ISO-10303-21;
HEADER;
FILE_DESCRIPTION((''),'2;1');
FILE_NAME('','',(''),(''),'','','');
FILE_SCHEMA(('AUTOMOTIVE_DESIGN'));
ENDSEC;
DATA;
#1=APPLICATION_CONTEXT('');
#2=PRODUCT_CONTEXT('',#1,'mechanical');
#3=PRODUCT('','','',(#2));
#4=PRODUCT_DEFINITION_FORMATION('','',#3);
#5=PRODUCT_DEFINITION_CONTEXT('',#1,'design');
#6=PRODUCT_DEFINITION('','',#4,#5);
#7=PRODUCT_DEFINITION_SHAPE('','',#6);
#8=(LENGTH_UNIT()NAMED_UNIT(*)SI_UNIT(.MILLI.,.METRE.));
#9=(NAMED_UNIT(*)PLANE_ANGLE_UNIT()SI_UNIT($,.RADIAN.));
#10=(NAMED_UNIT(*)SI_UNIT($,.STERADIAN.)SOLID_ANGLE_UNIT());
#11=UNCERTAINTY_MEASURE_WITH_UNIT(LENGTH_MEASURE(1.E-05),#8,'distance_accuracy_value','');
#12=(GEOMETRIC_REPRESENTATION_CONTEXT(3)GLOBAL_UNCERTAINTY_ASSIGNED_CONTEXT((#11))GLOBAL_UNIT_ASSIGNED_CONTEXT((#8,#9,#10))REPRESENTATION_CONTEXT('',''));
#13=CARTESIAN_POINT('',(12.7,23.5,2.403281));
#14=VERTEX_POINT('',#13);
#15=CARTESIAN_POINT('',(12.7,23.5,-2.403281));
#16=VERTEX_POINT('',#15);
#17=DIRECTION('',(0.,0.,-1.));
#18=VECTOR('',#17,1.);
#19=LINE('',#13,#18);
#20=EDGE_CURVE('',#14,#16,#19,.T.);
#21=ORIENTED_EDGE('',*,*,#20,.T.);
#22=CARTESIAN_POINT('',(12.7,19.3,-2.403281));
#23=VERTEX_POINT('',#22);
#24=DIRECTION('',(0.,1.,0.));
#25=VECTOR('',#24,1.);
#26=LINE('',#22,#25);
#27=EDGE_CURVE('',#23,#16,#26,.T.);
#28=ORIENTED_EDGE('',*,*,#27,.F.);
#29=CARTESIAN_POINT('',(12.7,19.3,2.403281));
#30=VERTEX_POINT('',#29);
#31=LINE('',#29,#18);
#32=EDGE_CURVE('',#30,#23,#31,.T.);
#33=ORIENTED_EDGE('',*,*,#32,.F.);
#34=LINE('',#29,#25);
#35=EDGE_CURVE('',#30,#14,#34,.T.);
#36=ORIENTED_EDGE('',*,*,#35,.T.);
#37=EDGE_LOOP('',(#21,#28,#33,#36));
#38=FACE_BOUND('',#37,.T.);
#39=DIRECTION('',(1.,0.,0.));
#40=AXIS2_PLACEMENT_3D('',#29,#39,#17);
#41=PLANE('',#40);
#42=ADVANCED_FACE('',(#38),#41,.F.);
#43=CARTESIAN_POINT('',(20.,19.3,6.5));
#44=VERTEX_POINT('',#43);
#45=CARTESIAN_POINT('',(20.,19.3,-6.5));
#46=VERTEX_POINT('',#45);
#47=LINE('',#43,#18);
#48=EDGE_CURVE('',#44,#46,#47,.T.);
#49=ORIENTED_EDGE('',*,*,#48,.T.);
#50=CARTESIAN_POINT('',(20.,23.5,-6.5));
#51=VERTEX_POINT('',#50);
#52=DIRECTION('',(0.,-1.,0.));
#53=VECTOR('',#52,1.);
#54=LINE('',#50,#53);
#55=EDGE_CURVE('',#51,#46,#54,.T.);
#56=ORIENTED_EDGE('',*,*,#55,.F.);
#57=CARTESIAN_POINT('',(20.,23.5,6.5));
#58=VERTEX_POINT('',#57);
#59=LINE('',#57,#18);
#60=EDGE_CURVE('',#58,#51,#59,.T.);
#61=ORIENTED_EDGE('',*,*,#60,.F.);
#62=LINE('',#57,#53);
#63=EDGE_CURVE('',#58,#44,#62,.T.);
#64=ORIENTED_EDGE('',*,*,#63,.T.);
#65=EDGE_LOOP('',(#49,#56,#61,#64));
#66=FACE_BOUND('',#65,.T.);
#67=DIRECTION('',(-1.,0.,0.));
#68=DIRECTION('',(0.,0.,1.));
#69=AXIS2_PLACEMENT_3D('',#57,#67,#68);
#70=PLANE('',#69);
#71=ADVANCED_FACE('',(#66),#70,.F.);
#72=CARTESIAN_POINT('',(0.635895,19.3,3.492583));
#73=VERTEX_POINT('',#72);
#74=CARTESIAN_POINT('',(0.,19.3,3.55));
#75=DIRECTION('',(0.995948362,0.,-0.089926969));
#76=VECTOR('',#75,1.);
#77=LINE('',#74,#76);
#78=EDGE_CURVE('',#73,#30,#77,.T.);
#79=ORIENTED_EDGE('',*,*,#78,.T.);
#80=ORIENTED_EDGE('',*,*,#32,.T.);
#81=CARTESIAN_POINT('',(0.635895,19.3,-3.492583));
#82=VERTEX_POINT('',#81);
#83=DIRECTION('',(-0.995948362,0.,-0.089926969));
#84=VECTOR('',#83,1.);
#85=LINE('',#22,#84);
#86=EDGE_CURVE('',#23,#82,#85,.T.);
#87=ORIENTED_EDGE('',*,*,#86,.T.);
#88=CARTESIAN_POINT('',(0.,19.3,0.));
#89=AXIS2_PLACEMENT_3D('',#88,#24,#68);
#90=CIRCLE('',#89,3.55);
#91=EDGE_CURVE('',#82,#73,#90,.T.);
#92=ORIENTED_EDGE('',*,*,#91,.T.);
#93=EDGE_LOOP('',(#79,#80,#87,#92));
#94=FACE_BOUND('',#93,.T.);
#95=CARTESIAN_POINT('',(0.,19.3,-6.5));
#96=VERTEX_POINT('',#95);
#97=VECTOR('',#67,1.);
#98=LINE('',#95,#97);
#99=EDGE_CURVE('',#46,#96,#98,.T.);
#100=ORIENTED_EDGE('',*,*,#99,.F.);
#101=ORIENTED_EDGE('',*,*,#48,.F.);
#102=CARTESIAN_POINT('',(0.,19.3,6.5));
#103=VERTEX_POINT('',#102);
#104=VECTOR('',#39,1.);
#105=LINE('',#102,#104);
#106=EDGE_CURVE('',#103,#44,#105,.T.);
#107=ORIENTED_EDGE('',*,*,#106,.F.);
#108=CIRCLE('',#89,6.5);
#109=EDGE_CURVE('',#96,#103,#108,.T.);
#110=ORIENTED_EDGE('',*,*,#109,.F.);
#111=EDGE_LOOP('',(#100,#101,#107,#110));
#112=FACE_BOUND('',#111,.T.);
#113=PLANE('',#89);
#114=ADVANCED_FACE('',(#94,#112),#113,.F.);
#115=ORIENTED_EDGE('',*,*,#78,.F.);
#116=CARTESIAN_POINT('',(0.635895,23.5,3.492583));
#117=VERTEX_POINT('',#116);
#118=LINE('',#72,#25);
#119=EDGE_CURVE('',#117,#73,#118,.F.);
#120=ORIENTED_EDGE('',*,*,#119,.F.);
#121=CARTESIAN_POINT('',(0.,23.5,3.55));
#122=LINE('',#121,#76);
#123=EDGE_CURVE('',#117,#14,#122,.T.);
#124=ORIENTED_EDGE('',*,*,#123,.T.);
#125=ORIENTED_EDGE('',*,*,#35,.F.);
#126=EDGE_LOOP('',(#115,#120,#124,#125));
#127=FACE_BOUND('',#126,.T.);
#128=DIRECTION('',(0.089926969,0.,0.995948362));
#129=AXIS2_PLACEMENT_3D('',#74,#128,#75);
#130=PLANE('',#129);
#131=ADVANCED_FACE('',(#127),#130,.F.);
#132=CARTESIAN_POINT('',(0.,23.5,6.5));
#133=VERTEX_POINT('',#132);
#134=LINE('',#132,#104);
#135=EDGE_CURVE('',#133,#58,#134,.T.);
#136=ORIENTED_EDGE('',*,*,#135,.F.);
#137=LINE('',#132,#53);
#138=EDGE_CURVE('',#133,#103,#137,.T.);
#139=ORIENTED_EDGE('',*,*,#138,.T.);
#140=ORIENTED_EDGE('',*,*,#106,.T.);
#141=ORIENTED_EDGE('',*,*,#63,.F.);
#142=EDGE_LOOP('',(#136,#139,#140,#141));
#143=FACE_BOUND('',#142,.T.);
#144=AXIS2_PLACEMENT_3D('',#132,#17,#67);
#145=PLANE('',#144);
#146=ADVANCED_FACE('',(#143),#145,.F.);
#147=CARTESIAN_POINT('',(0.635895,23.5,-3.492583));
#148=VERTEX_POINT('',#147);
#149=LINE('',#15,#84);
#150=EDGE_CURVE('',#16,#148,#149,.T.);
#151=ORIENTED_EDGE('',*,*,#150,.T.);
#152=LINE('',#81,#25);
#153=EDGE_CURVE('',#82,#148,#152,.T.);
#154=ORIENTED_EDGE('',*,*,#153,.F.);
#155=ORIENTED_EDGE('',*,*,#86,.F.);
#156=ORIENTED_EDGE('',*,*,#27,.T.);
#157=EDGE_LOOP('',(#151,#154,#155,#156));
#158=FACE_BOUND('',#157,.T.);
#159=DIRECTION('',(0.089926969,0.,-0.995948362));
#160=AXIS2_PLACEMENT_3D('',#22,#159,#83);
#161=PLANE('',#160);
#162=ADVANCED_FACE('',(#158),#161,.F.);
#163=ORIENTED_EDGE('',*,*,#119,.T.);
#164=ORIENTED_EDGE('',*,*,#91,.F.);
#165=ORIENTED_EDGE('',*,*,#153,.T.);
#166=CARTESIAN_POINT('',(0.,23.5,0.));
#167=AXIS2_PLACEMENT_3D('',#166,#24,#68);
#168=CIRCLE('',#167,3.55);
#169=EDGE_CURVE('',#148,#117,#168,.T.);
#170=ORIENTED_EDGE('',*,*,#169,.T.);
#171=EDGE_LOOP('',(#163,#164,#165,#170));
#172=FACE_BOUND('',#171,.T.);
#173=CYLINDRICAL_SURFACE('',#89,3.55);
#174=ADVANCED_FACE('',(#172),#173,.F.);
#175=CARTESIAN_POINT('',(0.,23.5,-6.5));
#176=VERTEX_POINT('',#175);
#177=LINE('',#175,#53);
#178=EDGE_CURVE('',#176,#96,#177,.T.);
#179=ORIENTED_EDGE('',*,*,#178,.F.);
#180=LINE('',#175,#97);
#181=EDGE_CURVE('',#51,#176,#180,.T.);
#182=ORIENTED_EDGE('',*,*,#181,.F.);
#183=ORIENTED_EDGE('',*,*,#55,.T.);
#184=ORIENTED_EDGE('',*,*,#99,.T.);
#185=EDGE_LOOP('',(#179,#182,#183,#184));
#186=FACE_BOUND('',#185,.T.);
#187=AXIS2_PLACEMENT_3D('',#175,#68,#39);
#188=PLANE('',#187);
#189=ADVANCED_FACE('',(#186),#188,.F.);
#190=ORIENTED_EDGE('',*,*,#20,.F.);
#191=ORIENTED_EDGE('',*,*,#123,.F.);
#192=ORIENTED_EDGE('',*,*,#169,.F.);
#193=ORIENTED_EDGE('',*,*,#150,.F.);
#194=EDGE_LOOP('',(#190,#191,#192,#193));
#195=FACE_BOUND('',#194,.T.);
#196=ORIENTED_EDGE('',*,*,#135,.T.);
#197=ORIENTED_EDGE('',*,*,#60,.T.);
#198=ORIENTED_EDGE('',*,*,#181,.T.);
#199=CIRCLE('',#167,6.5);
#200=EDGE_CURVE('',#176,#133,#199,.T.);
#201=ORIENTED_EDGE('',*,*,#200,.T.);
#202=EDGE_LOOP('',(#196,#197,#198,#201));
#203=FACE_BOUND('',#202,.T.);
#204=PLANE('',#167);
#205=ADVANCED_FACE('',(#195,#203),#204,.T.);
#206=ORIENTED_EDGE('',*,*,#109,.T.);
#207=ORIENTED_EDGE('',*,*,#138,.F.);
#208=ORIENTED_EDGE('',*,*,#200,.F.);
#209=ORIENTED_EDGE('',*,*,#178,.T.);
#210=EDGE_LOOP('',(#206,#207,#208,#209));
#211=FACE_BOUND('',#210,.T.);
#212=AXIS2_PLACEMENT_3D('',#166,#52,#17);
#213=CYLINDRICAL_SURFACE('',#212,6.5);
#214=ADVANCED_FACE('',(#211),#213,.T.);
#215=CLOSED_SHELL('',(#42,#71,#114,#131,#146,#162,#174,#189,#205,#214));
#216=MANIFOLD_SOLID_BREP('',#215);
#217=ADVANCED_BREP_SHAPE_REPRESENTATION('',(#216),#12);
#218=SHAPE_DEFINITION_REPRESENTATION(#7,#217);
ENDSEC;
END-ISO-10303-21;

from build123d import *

# Parameters (mm, degrees)
BOSS_EXTRUDE1_START = 21.4
SKETCH1_R           = 6.5
BOSS_EXTRUDE1_DEPTH = 2.1
BOSS_EXTRUDE2_START = 21.4
SKETCH2_W           = 20
SKETCH2_H           = 13
BOSS_EXTRUDE2_DEPTH = 2.1
CUT_EXTRUDE1_START  = 21.4
SKETCH3_R           = 3.55
CUT_EXTRUDE1_DEPTH  = 2.1
CUT_EXTRUDE2_START  = 21.4
CUT_EXTRUDE2_DEPTH  = 2.1


with BuildPart() as part:
    # Sketch1 → Boss-Extrude1 (new, symmetric)
    with BuildSketch(Plane(origin=(0, 0, 0), x_dir=(1, 0, 0), z_dir=(0, 1, 0)).offset(BOSS_EXTRUDE1_START)):
        with Locations(Location((0, 0, 0), (0, 0, 270))):
            Circle(SKETCH1_R)
    extrude(amount=BOSS_EXTRUDE1_DEPTH, both=True)

    # Sketch2 → Boss-Extrude2 (add, symmetric)
    with BuildSketch(Plane(origin=(0, 0, 0), x_dir=(1, 0, 0), z_dir=(0, 1, 0)).offset(BOSS_EXTRUDE2_START)):
        with Locations((10, 0)):
            Rectangle(SKETCH2_W, SKETCH2_H)
    extrude(amount=BOSS_EXTRUDE2_DEPTH, both=True)

    # Sketch3 → Cut-Extrude1 (cut, symmetric)
    with BuildSketch(Plane(origin=(0, 0, 0), x_dir=(1, 0, 0), z_dir=(0, 1, 0)).offset(CUT_EXTRUDE1_START)):
        with Locations(Location((0, 0, 0), (0, 0, 270))):
            Circle(SKETCH3_R)
    extrude(amount=CUT_EXTRUDE1_DEPTH, both=True, mode=Mode.SUBTRACT)

    # Sketch4 → Cut-Extrude2 (cut, symmetric)
    with BuildSketch(Plane(origin=(0, 0, 0), x_dir=(1, 0, 0), z_dir=(0, 1, 0)).offset(CUT_EXTRUDE2_START)):
        Polygon((0, -3.55), (12.7, -2.403281405), (12.7, 2.403281405), (0, 3.55), align=None)
    extrude(amount=CUT_EXTRUDE2_DEPTH, both=True, mode=Mode.SUBTRACT)


solid = part.part
